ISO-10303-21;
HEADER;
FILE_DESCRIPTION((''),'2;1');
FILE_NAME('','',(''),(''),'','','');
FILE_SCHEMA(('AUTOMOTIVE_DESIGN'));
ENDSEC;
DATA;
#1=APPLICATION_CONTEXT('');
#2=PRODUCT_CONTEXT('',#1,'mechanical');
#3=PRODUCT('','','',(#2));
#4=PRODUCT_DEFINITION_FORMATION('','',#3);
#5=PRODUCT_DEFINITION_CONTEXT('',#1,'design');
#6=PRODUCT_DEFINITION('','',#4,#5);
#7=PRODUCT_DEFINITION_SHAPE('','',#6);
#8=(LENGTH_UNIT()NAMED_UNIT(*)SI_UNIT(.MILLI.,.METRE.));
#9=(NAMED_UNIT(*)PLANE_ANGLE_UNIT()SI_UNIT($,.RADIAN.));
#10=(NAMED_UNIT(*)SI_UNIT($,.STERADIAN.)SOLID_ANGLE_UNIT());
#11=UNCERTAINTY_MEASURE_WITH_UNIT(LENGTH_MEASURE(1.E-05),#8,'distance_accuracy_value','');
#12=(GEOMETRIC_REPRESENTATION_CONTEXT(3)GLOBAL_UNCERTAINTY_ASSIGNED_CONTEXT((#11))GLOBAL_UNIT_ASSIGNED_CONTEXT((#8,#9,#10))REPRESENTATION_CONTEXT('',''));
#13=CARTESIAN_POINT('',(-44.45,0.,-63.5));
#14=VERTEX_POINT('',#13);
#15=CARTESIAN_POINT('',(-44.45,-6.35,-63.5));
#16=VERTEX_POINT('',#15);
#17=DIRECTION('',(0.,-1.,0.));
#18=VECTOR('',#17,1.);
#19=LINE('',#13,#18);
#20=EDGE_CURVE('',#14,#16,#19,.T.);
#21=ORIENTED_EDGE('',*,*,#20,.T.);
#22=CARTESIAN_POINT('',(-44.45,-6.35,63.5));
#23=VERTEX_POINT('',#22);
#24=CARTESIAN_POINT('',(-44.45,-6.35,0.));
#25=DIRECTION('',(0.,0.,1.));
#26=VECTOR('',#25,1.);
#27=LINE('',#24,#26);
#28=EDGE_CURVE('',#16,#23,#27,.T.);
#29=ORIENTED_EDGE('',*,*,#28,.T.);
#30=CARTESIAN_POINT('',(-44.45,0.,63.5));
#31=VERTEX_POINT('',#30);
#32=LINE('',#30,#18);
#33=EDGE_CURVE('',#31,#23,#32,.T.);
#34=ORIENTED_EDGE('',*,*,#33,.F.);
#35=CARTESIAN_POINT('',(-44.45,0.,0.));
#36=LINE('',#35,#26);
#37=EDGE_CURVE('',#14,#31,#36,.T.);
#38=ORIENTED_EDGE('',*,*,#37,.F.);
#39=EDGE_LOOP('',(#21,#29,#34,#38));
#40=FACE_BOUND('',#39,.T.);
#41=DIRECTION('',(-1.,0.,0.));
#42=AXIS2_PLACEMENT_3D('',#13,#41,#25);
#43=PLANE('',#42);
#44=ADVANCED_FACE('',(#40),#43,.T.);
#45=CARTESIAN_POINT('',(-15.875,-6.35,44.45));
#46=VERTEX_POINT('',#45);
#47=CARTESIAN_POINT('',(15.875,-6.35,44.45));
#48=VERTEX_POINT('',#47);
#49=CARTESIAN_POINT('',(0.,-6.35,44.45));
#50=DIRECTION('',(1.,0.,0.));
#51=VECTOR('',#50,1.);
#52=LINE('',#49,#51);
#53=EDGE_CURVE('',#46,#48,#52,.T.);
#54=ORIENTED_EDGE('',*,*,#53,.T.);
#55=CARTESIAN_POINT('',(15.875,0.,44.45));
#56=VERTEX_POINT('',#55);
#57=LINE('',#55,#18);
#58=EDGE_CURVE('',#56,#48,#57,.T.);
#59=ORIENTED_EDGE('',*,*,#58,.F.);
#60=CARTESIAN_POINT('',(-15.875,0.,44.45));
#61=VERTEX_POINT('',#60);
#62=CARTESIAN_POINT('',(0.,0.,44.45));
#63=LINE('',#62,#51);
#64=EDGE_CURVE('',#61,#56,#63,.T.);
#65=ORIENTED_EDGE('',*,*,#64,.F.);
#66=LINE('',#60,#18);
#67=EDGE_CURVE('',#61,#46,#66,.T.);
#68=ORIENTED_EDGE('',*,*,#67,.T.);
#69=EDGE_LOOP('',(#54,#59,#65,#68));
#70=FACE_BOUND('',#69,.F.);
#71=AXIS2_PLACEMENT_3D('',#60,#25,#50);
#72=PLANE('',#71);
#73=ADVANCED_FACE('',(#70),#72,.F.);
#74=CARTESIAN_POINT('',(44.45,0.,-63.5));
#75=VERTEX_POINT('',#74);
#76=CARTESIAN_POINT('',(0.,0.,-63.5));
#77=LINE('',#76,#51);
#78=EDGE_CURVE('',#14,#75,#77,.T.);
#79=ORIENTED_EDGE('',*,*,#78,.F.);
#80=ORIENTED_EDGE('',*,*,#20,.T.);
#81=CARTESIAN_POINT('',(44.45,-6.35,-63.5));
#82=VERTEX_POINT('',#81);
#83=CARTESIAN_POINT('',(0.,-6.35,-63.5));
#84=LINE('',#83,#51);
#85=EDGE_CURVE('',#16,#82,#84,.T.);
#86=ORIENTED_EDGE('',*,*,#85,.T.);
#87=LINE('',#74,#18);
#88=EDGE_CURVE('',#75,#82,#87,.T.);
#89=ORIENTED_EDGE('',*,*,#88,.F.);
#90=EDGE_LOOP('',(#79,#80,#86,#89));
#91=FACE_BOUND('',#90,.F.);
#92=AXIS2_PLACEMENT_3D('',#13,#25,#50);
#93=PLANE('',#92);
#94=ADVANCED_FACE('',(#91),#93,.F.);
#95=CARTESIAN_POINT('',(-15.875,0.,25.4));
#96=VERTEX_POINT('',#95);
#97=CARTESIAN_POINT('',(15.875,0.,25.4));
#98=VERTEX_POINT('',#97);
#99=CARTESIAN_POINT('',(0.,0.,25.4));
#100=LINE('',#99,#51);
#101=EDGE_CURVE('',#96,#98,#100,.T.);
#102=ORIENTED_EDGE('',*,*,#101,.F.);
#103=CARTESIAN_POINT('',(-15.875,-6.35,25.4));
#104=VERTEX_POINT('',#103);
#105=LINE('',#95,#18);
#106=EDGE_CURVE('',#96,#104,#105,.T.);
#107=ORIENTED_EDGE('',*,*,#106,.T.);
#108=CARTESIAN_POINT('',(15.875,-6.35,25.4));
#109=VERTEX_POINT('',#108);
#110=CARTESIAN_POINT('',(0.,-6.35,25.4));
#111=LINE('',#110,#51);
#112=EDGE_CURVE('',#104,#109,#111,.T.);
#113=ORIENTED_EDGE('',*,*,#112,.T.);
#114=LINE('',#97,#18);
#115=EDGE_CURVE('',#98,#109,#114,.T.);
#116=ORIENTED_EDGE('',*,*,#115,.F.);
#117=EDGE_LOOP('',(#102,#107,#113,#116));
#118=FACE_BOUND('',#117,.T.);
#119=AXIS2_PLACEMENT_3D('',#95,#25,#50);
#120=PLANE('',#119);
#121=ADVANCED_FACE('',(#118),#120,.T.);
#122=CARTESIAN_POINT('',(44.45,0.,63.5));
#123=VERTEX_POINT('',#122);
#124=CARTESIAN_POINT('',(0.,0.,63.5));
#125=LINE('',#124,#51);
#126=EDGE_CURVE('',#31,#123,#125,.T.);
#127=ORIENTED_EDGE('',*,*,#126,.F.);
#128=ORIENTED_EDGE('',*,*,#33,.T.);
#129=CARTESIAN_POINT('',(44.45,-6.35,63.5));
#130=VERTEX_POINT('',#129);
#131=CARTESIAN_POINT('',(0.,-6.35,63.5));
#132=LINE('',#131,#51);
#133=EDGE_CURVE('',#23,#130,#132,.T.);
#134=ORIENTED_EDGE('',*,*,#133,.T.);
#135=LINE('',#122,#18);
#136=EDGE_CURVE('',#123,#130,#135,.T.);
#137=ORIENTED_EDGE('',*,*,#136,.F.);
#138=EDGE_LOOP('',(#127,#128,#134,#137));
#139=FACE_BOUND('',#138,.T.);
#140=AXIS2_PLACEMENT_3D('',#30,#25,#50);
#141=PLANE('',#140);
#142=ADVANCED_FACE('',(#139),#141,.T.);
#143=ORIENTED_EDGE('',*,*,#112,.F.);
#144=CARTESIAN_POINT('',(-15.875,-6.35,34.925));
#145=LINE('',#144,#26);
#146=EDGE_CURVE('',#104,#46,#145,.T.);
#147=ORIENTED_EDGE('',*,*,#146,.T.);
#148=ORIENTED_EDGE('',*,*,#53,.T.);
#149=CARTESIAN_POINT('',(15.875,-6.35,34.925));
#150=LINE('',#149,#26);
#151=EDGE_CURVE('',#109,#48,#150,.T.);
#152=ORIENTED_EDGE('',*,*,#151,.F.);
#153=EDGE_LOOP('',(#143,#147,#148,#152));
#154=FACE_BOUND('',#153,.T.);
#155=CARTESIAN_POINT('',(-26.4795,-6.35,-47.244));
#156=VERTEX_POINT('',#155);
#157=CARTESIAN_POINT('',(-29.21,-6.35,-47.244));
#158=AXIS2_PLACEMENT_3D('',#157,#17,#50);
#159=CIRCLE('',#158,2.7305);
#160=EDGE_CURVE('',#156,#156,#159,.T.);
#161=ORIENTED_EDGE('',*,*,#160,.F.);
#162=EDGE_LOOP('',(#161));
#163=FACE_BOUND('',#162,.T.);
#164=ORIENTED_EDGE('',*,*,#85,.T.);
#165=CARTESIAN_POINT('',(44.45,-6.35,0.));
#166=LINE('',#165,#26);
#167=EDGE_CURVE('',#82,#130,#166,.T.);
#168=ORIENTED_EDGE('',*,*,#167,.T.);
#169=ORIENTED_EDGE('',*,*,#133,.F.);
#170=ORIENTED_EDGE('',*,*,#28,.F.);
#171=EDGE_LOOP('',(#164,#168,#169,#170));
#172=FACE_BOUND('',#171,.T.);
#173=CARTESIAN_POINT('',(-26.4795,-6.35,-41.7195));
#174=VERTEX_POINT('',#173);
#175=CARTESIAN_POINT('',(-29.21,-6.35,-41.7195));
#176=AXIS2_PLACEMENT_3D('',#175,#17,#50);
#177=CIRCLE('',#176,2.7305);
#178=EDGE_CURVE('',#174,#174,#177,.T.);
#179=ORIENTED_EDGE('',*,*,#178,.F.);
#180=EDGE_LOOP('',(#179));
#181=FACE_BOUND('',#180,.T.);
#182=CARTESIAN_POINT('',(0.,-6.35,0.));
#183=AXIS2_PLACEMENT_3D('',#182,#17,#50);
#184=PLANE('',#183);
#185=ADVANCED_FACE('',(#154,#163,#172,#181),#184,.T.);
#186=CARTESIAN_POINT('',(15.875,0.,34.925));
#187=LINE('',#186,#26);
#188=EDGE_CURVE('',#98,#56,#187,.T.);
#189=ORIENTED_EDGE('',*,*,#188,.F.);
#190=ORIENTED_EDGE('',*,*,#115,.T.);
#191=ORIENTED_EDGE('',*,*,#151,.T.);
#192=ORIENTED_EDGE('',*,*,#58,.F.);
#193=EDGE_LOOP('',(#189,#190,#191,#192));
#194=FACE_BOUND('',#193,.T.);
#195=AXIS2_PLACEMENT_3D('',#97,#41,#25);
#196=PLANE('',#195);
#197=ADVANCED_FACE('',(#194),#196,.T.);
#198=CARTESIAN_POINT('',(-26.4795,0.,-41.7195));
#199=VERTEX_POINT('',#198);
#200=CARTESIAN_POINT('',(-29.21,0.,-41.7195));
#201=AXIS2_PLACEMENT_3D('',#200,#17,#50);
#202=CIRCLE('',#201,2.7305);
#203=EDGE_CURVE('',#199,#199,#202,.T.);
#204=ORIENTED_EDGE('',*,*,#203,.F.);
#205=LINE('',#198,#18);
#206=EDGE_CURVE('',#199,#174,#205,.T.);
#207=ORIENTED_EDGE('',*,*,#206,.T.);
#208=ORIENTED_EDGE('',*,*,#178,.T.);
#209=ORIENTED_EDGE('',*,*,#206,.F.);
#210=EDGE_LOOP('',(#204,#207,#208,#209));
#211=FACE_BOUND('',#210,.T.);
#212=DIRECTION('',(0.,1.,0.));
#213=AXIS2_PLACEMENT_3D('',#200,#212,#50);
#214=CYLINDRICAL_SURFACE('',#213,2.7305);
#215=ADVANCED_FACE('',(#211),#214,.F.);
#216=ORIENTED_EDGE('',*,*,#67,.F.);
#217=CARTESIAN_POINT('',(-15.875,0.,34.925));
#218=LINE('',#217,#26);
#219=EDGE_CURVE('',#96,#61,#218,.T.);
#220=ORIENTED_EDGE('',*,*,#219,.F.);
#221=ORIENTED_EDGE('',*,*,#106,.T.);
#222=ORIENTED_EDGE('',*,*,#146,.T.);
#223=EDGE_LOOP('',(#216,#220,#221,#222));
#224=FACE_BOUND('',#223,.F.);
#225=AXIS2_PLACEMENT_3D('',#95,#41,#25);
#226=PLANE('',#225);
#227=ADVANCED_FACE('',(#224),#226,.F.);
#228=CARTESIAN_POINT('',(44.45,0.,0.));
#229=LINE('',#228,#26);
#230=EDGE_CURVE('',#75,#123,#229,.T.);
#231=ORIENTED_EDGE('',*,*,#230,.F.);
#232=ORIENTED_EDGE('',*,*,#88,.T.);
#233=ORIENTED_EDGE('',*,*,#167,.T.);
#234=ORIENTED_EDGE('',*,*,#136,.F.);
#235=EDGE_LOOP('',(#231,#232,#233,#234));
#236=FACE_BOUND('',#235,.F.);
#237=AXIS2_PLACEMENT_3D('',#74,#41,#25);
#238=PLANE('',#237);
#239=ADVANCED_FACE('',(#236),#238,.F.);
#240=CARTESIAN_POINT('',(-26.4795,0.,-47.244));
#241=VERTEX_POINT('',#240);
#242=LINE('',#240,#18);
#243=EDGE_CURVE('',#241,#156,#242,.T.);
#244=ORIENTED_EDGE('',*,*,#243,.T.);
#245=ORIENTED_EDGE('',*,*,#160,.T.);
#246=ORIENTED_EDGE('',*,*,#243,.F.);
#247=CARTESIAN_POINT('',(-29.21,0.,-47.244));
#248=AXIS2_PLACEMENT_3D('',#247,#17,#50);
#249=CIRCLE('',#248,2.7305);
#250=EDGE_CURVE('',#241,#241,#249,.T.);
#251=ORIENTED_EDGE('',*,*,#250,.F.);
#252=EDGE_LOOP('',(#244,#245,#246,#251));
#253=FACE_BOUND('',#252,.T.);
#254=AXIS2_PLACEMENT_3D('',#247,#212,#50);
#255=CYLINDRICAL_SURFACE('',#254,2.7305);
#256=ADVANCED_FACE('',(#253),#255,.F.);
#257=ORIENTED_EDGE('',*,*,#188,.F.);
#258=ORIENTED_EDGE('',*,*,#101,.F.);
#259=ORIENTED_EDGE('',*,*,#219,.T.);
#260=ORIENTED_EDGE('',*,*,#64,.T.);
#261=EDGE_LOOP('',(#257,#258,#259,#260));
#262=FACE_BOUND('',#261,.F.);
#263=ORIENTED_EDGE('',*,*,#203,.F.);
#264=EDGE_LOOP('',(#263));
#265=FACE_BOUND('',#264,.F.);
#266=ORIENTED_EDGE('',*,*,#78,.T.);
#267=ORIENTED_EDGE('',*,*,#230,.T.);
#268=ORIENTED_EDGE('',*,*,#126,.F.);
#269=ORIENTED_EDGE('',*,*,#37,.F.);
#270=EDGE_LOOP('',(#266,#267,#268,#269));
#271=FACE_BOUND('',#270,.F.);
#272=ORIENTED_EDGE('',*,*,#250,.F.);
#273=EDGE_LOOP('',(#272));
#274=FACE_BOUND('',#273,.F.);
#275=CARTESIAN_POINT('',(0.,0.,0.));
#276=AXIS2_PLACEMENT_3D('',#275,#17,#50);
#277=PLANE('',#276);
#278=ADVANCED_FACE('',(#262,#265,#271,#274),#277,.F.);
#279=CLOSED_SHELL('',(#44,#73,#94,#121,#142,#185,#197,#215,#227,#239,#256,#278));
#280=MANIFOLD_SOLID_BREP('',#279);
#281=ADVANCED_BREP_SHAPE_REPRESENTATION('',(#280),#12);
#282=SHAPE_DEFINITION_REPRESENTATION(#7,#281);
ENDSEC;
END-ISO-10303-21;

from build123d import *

# Parameters (mm, degrees)
F0_W     = 88.9
F0_H     = 127
F0_R     = 2.7305
F0_W_2   = 31.75
F0_H_2   = 19.05
F1_DEPTH = 6.35


with BuildPart() as f1:
    # F0 (on Front) → F1 (new body)
    with BuildSketch(Plane.XZ):
        Rectangle(F0_W, F0_H)
        with Locations((-29.21, -47.244)):
            Circle(F0_R, mode=Mode.SUBTRACT)
        with Locations((-29.21, -41.7195)):
            Circle(F0_R, mode=Mode.SUBTRACT)
        with Locations((0, 34.925)):
            Rectangle(F0_W_2, F0_H_2, mode=Mode.SUBTRACT)
    extrude(amount=F1_DEPTH)


solid = f1.part
